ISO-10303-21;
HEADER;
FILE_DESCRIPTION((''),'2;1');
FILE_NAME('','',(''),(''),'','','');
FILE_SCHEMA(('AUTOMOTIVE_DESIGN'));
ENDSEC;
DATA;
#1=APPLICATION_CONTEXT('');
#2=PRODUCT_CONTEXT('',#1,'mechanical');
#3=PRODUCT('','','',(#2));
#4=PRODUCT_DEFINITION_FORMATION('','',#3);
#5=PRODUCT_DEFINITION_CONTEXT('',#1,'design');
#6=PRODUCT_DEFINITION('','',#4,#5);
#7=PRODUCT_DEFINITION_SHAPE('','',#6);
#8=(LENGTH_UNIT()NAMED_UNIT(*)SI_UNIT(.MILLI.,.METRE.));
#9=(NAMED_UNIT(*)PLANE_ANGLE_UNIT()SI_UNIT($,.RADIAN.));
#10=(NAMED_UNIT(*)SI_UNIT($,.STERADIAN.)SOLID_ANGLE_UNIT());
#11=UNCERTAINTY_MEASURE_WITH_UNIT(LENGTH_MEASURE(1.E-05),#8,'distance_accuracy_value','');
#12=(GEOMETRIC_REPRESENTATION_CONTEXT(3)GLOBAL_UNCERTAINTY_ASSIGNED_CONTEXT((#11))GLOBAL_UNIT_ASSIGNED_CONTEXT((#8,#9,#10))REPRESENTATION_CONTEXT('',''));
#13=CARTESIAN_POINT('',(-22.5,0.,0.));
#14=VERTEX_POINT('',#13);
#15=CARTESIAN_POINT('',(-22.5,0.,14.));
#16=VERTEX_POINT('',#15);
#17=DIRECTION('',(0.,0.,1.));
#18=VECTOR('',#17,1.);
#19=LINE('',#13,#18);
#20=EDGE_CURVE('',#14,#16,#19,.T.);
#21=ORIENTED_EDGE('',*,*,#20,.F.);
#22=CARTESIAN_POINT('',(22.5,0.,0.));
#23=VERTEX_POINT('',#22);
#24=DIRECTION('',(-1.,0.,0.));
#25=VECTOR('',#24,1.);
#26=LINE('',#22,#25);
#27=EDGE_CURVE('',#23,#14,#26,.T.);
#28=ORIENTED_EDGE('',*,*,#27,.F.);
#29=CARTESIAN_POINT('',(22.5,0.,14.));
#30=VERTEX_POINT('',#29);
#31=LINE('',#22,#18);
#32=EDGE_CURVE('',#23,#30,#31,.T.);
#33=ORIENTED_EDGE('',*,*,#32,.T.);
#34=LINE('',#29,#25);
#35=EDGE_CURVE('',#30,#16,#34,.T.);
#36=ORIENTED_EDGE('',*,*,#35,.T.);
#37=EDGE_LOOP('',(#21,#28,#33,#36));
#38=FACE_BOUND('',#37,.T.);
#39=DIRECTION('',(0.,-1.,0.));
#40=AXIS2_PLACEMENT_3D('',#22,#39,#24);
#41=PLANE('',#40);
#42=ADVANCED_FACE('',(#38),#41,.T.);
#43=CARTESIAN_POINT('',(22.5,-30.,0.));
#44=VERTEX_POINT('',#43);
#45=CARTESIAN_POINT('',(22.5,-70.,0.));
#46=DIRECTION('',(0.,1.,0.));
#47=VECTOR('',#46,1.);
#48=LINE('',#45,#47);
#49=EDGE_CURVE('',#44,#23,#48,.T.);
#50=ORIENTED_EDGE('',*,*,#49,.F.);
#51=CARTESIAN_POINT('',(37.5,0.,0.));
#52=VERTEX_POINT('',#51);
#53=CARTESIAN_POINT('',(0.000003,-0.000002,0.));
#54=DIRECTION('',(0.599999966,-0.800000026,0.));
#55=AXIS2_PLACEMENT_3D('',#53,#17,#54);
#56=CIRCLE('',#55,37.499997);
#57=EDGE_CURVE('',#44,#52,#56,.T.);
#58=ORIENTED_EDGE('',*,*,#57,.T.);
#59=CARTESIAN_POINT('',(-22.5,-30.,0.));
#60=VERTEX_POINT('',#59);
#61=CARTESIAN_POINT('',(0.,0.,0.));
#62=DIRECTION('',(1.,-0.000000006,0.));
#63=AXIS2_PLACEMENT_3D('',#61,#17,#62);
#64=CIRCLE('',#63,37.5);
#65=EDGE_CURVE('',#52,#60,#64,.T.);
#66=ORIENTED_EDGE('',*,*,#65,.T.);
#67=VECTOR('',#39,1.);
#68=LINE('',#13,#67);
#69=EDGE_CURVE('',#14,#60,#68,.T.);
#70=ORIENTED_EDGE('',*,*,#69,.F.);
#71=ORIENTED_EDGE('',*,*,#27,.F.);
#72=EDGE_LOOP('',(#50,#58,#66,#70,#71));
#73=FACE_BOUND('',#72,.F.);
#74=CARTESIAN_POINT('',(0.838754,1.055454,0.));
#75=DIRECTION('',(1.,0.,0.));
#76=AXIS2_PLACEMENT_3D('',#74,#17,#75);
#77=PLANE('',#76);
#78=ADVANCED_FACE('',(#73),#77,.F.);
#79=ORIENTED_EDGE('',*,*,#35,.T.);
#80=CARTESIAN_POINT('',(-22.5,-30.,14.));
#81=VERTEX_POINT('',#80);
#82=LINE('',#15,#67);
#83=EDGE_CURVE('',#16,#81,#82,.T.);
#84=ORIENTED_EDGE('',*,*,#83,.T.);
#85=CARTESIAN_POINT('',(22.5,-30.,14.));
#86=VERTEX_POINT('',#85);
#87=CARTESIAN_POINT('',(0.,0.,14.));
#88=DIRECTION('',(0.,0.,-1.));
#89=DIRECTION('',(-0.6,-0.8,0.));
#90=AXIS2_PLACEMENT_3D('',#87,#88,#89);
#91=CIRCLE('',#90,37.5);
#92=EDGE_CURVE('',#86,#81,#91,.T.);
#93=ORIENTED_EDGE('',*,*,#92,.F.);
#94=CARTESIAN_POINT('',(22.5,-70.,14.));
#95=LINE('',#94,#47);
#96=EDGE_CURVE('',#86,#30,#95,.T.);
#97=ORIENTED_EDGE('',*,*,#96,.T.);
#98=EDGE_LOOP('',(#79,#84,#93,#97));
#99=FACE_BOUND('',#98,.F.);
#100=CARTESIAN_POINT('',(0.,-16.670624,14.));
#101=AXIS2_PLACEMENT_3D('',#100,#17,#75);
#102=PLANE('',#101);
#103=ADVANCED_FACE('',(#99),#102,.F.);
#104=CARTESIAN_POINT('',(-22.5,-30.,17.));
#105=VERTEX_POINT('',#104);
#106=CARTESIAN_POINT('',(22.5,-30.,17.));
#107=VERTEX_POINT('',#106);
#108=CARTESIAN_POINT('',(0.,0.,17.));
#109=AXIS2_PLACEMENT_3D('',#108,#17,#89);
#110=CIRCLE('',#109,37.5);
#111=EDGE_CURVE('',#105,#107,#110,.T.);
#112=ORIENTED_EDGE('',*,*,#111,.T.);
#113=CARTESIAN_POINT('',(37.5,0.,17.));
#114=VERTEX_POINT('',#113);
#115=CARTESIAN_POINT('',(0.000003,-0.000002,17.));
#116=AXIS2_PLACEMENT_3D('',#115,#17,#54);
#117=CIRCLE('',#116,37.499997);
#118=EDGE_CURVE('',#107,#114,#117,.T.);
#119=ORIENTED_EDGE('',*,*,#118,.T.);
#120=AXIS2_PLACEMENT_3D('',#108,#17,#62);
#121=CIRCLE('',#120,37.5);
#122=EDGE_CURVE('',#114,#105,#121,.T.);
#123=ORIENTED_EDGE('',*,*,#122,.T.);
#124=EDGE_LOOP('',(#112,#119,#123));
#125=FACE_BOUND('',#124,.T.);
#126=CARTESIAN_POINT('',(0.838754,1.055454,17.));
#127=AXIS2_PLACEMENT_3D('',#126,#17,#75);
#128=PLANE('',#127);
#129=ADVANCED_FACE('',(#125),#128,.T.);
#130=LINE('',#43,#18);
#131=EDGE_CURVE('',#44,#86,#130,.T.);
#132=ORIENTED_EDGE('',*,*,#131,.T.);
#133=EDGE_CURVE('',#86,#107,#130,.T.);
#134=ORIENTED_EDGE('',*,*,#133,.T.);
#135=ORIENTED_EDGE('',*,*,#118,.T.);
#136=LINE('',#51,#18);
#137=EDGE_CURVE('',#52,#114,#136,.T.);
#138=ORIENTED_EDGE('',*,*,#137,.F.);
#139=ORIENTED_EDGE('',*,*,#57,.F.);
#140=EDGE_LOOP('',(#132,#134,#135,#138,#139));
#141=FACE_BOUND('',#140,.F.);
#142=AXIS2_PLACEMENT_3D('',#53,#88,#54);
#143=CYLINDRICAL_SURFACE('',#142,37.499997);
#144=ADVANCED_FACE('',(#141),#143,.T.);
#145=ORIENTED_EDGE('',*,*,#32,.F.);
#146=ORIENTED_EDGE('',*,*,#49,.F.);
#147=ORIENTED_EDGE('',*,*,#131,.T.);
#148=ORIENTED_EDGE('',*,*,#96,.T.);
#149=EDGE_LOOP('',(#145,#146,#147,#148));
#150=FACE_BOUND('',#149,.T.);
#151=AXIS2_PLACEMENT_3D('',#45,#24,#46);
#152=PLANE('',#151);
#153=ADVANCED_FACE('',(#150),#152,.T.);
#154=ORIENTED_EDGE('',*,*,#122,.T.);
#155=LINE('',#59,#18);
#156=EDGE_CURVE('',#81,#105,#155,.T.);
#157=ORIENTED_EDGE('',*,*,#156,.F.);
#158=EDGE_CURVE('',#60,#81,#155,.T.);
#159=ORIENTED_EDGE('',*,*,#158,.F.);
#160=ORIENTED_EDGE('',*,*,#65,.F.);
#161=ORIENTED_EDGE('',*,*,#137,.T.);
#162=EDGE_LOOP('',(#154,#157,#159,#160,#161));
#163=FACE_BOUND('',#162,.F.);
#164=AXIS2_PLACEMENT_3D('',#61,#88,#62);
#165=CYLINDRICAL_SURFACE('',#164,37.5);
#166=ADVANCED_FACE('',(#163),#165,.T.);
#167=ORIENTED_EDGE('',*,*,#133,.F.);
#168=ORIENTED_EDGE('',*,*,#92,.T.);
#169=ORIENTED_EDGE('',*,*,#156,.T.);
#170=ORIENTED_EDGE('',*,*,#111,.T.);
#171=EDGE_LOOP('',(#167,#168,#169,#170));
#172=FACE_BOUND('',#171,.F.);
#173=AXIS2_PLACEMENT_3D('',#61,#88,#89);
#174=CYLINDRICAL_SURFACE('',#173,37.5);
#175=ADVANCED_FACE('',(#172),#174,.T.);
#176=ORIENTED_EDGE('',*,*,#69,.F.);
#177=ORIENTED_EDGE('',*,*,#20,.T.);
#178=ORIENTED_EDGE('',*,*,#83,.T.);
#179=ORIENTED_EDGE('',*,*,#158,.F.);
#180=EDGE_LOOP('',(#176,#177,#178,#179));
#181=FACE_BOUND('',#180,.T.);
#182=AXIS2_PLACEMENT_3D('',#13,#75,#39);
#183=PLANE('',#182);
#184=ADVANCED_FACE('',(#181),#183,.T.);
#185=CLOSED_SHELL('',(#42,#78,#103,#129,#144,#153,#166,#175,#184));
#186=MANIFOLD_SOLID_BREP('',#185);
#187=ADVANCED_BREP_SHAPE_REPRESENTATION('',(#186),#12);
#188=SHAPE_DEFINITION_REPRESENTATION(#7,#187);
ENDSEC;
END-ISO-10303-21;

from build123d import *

# Parameters (mm, degrees)
F1_DEPTH = 17
F2_DEPTH = 14


with BuildPart() as f1:
    # F0 (on Top) → F1 (new body)
    with BuildSketch(Plane.XY):
        with BuildLine():
            ThreePointArc((22.5, -30), (33.54102, -16.77051), (37.5, 0))
            ThreePointArc((37.5, 0), (-16.77051, 33.54102), (-22.5, -30))
            Line((-22.5, -30), (-22.5, 0))
            Line((-22.5, 0), (22.5, 0))
            Line((22.5, 0), (22.5, -30))
        make_face()
        with BuildLine():
            Line((-22.5, 0), (-22.5, -30))
            ThreePointArc((-22.5, -30), (0, -37.5), (22.5, -30))
            Line((22.5, -30), (22.5, 0))
            Line((22.5, 0), (-22.5, 0))
        make_face()
    extrude(amount=F1_DEPTH)

    # F0 (on Top) → F2 (cut)
    with BuildSketch(Plane.XY):
        with BuildLine():
            Line((-22.5, 0), (-22.5, -30))
            ThreePointArc((-22.5, -30), (0, -37.5), (22.5, -30))
            Line((22.5, -30), (22.5, 0))
            Line((22.5, 0), (-22.5, 0))
        make_face()
        with BuildLine():
            ThreePointArc((22.5, -30), (0, -37.5), (-22.5, -30))
            Line((-22.5, -30), (-22.5, -70))
            Line((-22.5, -70), (22.5, -70))
            Line((22.5, -70), (22.5, -30))
        make_face()
    extrude(amount=F2_DEPTH, mode=Mode.SUBTRACT)


solid = f1.part
